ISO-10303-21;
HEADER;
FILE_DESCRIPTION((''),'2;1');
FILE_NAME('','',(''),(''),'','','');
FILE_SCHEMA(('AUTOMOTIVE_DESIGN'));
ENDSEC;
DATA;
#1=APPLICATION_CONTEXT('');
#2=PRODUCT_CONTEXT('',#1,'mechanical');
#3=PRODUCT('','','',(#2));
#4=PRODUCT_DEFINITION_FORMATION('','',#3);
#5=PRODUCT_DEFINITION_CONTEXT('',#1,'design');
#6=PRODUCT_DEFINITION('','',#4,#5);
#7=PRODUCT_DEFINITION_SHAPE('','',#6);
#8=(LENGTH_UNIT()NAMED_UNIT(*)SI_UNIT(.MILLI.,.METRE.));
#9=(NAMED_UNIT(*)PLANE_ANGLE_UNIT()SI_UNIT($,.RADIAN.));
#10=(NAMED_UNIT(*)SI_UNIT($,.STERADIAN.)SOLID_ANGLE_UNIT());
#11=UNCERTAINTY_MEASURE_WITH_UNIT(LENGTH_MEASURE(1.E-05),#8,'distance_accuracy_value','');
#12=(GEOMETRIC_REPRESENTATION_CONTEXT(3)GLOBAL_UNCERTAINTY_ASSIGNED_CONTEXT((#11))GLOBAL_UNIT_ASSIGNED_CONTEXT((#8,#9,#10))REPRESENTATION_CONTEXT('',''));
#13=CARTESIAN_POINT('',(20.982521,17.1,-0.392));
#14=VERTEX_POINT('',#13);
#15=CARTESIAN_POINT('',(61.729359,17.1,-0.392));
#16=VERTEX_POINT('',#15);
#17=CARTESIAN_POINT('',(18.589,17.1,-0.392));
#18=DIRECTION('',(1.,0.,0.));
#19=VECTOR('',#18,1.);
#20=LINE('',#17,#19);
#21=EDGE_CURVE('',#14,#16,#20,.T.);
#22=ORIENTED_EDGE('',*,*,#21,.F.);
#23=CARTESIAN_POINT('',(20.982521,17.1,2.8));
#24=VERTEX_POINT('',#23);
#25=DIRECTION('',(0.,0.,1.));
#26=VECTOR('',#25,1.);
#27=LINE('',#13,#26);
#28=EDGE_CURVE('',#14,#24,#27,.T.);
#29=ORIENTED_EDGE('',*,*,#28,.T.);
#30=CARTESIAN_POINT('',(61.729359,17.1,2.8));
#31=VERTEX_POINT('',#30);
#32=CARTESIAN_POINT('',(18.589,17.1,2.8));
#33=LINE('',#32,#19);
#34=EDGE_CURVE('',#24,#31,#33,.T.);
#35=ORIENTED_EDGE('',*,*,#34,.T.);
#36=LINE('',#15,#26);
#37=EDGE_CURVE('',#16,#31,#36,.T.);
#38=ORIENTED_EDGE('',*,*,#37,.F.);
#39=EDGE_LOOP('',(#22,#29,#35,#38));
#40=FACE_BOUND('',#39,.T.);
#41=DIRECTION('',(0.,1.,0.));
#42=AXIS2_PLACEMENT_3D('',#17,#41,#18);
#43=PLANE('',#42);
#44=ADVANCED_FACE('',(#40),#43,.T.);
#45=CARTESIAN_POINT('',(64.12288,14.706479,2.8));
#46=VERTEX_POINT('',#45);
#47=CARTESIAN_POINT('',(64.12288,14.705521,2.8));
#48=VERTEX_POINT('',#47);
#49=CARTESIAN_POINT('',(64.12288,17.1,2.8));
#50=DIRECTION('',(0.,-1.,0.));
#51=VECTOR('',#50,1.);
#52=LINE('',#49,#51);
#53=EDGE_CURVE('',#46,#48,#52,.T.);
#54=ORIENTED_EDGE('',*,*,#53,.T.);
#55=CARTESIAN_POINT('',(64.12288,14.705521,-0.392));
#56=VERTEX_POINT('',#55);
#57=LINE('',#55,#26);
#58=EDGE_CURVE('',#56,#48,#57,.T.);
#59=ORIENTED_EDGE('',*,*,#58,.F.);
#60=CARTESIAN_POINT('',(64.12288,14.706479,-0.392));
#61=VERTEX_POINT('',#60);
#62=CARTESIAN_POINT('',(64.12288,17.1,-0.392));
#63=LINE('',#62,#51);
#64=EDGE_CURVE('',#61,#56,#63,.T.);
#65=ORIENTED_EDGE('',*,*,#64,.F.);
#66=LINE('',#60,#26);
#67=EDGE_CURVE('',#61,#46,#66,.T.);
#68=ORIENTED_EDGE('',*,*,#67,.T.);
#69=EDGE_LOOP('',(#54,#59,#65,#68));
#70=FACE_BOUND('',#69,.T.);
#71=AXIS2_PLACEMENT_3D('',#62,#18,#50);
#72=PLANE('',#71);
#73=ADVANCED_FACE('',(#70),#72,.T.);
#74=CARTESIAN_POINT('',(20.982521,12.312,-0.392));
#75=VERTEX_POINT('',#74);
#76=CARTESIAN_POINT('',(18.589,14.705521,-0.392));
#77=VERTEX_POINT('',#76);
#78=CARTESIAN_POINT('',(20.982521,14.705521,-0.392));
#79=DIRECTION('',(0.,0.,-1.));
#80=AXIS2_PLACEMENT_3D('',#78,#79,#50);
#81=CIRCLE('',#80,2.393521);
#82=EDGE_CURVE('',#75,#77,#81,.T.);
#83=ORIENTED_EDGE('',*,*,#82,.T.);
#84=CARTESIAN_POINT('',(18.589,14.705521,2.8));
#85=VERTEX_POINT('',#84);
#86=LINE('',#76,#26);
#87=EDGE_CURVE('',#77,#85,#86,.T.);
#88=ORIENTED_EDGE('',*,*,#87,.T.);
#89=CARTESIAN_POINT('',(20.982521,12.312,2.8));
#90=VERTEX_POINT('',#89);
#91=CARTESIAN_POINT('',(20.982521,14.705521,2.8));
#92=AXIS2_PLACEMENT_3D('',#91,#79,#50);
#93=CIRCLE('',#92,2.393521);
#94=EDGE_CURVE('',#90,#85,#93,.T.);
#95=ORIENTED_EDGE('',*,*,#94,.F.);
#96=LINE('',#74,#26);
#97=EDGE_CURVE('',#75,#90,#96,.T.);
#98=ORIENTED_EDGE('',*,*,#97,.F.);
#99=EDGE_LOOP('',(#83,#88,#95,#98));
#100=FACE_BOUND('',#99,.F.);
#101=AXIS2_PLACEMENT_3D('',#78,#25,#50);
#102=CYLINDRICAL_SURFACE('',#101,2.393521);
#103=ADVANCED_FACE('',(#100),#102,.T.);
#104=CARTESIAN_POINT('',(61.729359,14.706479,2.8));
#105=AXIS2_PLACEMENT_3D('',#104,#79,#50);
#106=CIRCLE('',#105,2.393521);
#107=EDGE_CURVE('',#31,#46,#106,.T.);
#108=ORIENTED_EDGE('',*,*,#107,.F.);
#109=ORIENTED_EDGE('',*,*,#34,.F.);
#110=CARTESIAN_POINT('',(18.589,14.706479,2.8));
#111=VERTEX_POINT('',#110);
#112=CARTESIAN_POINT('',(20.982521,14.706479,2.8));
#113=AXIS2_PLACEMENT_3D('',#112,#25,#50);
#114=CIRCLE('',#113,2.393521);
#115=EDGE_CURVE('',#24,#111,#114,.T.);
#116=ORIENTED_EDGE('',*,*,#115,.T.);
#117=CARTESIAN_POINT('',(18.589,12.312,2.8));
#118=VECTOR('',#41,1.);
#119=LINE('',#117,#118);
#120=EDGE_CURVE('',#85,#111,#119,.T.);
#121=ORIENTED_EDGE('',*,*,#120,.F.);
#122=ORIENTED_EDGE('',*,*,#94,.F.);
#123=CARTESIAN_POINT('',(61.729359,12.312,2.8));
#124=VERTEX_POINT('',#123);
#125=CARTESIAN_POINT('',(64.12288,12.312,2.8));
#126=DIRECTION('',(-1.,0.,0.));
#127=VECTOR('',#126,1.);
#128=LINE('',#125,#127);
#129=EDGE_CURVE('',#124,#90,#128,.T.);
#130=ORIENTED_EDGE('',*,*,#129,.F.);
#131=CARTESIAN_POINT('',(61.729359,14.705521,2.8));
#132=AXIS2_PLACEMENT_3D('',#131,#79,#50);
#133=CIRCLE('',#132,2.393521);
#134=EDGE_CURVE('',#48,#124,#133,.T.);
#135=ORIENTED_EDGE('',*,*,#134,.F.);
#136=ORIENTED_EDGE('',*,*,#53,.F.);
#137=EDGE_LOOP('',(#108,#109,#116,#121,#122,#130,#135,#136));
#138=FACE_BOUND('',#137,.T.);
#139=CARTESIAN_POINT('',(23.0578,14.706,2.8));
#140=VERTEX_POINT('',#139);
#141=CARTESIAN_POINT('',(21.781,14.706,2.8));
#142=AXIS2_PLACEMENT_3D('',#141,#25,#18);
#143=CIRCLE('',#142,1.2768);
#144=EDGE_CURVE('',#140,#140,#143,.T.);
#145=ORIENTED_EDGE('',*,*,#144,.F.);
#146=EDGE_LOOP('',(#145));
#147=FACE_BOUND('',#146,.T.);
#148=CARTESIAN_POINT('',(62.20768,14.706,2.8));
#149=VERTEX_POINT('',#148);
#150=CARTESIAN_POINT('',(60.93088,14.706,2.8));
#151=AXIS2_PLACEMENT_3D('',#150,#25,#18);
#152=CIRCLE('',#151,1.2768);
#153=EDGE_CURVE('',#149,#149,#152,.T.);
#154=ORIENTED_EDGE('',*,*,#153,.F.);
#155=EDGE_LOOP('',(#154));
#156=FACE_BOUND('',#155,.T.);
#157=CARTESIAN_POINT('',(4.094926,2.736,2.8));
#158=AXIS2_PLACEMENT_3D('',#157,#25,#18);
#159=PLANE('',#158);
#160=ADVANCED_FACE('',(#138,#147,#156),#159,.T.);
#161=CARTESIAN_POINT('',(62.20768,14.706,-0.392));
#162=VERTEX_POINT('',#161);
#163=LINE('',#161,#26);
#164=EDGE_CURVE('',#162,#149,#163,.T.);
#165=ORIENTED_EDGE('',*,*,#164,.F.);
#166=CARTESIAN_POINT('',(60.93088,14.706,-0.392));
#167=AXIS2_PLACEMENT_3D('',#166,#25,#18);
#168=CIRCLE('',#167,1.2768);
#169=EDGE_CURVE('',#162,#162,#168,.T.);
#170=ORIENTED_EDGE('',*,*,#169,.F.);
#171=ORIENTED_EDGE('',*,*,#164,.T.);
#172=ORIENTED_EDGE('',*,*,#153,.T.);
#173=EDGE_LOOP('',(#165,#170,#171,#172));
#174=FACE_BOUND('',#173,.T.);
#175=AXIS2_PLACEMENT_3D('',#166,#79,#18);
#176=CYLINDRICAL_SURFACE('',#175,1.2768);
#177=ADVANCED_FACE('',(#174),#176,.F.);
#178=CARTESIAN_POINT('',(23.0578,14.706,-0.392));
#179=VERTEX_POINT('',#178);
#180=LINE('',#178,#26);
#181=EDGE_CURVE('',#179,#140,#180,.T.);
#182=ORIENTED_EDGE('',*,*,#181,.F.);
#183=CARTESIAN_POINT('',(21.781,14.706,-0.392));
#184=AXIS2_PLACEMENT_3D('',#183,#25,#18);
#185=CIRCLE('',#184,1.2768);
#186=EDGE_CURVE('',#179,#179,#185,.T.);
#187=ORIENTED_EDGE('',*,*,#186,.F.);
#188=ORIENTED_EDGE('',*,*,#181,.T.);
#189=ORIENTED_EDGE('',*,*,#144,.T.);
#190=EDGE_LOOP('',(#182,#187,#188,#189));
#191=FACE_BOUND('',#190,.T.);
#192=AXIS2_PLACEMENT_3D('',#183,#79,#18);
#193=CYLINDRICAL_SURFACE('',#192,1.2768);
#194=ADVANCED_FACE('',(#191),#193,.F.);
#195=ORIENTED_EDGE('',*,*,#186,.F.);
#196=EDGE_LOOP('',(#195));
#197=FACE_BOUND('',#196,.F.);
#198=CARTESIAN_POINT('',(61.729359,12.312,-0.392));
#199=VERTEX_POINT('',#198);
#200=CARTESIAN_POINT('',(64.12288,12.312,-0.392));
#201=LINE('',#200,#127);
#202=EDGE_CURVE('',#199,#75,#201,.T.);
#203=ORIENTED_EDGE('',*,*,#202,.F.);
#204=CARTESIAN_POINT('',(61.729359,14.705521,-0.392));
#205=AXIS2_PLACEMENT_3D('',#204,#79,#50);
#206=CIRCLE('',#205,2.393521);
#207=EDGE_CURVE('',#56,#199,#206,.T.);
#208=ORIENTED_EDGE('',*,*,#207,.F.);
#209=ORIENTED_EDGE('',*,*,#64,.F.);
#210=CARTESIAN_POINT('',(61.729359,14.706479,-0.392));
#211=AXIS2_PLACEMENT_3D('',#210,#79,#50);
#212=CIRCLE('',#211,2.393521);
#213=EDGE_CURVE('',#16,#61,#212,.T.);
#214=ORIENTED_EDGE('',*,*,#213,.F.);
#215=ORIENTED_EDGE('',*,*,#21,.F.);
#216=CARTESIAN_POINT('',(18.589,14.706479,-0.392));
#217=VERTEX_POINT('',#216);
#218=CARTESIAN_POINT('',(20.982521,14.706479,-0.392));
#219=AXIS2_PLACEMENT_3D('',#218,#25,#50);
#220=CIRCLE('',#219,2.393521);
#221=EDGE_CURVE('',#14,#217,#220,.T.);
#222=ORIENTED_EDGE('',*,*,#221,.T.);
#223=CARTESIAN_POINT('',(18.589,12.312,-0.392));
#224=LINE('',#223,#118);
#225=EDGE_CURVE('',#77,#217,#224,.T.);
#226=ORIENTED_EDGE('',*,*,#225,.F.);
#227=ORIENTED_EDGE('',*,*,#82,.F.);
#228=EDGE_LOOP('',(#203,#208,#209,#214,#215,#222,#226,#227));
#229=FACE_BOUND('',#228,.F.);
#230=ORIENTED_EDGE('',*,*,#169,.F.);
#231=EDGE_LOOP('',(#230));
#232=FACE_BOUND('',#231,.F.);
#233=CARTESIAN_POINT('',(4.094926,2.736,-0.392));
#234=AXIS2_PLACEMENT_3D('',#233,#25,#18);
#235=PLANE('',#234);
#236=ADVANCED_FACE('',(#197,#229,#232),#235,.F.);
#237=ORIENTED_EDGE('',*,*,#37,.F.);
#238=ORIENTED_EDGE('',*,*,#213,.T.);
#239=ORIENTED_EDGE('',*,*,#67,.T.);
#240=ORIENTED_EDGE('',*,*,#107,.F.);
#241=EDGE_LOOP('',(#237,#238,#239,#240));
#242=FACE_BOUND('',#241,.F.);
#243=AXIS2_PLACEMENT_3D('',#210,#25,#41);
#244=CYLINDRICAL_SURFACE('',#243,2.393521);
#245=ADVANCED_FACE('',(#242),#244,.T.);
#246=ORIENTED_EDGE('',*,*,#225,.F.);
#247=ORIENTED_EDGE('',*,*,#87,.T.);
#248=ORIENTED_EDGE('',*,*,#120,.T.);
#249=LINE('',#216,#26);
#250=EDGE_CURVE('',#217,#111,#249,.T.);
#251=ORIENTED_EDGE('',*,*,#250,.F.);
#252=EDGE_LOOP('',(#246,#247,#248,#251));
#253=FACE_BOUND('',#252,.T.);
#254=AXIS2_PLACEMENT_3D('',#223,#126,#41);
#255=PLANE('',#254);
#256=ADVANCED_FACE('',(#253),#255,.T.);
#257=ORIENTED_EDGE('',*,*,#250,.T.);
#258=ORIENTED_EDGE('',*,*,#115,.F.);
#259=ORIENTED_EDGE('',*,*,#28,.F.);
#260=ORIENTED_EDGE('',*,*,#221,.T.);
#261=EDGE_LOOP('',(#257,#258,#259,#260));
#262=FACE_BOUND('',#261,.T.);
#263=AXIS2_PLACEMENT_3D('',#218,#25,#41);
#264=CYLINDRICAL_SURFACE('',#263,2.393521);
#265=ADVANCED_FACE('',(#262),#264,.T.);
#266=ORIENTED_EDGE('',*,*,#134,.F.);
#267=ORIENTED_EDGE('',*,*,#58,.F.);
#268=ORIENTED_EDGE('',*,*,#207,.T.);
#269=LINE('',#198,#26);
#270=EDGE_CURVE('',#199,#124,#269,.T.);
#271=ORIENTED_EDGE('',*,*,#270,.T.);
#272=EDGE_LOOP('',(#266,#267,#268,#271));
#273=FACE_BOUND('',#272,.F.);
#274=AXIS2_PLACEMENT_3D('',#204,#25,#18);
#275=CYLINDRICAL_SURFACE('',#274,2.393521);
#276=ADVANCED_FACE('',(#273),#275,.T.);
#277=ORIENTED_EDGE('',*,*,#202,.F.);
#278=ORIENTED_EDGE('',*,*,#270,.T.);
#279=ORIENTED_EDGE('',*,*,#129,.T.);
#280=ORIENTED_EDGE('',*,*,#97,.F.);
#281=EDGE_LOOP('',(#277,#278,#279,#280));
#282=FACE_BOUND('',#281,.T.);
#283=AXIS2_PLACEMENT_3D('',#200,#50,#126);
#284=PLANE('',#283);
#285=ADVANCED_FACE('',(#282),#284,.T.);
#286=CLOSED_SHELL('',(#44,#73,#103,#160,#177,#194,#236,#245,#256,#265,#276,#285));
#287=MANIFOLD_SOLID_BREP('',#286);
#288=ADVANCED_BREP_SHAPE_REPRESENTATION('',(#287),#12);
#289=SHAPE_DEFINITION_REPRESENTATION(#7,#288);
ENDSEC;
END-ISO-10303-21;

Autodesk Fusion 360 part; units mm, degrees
sketch "Esboço1" plane through (0, 0, 0) normal (0, 0, 1) x (1, 0, 0)
  line L0 (18.163, 18) -> (75.223, 18)
  line L1 (75.223, 18) -> (75.223, 12)
  line L2 (75.223, 12) -> (18.163, 12)
  line L3 (18.163, 12) -> (18.163, 18)
  circle A0 centre (22.163, 15) radius 1.6
  circle A1 centre (71.223, 15) radius 1.6
  dimension "d2" = 3.2
  dimension "d3" = 3.2
  dimension "d4" = 49.06
  dimension "d5" = 4
  dimension "d6" = 4
  dimension "d13" = 6
  dimension "d14" = 3
extrude "Extrusão1" add sketch "Esboço1" along normal blind 4
fillet "Arredondamento3" radius 3 2 edges at (18.163, 18, 2) (18.163, 12, 2)
fillet "Arredondamento4" radius 3 2 edges at (75.223, 18, 2) (75.223, 12, 2)
scale "Escala1" factor 0.7 about (20.563, 15, 0) bodies 1
scale "Escala2" factor 1.14 about (20.983, 17.1, 2.8) bodies 1
